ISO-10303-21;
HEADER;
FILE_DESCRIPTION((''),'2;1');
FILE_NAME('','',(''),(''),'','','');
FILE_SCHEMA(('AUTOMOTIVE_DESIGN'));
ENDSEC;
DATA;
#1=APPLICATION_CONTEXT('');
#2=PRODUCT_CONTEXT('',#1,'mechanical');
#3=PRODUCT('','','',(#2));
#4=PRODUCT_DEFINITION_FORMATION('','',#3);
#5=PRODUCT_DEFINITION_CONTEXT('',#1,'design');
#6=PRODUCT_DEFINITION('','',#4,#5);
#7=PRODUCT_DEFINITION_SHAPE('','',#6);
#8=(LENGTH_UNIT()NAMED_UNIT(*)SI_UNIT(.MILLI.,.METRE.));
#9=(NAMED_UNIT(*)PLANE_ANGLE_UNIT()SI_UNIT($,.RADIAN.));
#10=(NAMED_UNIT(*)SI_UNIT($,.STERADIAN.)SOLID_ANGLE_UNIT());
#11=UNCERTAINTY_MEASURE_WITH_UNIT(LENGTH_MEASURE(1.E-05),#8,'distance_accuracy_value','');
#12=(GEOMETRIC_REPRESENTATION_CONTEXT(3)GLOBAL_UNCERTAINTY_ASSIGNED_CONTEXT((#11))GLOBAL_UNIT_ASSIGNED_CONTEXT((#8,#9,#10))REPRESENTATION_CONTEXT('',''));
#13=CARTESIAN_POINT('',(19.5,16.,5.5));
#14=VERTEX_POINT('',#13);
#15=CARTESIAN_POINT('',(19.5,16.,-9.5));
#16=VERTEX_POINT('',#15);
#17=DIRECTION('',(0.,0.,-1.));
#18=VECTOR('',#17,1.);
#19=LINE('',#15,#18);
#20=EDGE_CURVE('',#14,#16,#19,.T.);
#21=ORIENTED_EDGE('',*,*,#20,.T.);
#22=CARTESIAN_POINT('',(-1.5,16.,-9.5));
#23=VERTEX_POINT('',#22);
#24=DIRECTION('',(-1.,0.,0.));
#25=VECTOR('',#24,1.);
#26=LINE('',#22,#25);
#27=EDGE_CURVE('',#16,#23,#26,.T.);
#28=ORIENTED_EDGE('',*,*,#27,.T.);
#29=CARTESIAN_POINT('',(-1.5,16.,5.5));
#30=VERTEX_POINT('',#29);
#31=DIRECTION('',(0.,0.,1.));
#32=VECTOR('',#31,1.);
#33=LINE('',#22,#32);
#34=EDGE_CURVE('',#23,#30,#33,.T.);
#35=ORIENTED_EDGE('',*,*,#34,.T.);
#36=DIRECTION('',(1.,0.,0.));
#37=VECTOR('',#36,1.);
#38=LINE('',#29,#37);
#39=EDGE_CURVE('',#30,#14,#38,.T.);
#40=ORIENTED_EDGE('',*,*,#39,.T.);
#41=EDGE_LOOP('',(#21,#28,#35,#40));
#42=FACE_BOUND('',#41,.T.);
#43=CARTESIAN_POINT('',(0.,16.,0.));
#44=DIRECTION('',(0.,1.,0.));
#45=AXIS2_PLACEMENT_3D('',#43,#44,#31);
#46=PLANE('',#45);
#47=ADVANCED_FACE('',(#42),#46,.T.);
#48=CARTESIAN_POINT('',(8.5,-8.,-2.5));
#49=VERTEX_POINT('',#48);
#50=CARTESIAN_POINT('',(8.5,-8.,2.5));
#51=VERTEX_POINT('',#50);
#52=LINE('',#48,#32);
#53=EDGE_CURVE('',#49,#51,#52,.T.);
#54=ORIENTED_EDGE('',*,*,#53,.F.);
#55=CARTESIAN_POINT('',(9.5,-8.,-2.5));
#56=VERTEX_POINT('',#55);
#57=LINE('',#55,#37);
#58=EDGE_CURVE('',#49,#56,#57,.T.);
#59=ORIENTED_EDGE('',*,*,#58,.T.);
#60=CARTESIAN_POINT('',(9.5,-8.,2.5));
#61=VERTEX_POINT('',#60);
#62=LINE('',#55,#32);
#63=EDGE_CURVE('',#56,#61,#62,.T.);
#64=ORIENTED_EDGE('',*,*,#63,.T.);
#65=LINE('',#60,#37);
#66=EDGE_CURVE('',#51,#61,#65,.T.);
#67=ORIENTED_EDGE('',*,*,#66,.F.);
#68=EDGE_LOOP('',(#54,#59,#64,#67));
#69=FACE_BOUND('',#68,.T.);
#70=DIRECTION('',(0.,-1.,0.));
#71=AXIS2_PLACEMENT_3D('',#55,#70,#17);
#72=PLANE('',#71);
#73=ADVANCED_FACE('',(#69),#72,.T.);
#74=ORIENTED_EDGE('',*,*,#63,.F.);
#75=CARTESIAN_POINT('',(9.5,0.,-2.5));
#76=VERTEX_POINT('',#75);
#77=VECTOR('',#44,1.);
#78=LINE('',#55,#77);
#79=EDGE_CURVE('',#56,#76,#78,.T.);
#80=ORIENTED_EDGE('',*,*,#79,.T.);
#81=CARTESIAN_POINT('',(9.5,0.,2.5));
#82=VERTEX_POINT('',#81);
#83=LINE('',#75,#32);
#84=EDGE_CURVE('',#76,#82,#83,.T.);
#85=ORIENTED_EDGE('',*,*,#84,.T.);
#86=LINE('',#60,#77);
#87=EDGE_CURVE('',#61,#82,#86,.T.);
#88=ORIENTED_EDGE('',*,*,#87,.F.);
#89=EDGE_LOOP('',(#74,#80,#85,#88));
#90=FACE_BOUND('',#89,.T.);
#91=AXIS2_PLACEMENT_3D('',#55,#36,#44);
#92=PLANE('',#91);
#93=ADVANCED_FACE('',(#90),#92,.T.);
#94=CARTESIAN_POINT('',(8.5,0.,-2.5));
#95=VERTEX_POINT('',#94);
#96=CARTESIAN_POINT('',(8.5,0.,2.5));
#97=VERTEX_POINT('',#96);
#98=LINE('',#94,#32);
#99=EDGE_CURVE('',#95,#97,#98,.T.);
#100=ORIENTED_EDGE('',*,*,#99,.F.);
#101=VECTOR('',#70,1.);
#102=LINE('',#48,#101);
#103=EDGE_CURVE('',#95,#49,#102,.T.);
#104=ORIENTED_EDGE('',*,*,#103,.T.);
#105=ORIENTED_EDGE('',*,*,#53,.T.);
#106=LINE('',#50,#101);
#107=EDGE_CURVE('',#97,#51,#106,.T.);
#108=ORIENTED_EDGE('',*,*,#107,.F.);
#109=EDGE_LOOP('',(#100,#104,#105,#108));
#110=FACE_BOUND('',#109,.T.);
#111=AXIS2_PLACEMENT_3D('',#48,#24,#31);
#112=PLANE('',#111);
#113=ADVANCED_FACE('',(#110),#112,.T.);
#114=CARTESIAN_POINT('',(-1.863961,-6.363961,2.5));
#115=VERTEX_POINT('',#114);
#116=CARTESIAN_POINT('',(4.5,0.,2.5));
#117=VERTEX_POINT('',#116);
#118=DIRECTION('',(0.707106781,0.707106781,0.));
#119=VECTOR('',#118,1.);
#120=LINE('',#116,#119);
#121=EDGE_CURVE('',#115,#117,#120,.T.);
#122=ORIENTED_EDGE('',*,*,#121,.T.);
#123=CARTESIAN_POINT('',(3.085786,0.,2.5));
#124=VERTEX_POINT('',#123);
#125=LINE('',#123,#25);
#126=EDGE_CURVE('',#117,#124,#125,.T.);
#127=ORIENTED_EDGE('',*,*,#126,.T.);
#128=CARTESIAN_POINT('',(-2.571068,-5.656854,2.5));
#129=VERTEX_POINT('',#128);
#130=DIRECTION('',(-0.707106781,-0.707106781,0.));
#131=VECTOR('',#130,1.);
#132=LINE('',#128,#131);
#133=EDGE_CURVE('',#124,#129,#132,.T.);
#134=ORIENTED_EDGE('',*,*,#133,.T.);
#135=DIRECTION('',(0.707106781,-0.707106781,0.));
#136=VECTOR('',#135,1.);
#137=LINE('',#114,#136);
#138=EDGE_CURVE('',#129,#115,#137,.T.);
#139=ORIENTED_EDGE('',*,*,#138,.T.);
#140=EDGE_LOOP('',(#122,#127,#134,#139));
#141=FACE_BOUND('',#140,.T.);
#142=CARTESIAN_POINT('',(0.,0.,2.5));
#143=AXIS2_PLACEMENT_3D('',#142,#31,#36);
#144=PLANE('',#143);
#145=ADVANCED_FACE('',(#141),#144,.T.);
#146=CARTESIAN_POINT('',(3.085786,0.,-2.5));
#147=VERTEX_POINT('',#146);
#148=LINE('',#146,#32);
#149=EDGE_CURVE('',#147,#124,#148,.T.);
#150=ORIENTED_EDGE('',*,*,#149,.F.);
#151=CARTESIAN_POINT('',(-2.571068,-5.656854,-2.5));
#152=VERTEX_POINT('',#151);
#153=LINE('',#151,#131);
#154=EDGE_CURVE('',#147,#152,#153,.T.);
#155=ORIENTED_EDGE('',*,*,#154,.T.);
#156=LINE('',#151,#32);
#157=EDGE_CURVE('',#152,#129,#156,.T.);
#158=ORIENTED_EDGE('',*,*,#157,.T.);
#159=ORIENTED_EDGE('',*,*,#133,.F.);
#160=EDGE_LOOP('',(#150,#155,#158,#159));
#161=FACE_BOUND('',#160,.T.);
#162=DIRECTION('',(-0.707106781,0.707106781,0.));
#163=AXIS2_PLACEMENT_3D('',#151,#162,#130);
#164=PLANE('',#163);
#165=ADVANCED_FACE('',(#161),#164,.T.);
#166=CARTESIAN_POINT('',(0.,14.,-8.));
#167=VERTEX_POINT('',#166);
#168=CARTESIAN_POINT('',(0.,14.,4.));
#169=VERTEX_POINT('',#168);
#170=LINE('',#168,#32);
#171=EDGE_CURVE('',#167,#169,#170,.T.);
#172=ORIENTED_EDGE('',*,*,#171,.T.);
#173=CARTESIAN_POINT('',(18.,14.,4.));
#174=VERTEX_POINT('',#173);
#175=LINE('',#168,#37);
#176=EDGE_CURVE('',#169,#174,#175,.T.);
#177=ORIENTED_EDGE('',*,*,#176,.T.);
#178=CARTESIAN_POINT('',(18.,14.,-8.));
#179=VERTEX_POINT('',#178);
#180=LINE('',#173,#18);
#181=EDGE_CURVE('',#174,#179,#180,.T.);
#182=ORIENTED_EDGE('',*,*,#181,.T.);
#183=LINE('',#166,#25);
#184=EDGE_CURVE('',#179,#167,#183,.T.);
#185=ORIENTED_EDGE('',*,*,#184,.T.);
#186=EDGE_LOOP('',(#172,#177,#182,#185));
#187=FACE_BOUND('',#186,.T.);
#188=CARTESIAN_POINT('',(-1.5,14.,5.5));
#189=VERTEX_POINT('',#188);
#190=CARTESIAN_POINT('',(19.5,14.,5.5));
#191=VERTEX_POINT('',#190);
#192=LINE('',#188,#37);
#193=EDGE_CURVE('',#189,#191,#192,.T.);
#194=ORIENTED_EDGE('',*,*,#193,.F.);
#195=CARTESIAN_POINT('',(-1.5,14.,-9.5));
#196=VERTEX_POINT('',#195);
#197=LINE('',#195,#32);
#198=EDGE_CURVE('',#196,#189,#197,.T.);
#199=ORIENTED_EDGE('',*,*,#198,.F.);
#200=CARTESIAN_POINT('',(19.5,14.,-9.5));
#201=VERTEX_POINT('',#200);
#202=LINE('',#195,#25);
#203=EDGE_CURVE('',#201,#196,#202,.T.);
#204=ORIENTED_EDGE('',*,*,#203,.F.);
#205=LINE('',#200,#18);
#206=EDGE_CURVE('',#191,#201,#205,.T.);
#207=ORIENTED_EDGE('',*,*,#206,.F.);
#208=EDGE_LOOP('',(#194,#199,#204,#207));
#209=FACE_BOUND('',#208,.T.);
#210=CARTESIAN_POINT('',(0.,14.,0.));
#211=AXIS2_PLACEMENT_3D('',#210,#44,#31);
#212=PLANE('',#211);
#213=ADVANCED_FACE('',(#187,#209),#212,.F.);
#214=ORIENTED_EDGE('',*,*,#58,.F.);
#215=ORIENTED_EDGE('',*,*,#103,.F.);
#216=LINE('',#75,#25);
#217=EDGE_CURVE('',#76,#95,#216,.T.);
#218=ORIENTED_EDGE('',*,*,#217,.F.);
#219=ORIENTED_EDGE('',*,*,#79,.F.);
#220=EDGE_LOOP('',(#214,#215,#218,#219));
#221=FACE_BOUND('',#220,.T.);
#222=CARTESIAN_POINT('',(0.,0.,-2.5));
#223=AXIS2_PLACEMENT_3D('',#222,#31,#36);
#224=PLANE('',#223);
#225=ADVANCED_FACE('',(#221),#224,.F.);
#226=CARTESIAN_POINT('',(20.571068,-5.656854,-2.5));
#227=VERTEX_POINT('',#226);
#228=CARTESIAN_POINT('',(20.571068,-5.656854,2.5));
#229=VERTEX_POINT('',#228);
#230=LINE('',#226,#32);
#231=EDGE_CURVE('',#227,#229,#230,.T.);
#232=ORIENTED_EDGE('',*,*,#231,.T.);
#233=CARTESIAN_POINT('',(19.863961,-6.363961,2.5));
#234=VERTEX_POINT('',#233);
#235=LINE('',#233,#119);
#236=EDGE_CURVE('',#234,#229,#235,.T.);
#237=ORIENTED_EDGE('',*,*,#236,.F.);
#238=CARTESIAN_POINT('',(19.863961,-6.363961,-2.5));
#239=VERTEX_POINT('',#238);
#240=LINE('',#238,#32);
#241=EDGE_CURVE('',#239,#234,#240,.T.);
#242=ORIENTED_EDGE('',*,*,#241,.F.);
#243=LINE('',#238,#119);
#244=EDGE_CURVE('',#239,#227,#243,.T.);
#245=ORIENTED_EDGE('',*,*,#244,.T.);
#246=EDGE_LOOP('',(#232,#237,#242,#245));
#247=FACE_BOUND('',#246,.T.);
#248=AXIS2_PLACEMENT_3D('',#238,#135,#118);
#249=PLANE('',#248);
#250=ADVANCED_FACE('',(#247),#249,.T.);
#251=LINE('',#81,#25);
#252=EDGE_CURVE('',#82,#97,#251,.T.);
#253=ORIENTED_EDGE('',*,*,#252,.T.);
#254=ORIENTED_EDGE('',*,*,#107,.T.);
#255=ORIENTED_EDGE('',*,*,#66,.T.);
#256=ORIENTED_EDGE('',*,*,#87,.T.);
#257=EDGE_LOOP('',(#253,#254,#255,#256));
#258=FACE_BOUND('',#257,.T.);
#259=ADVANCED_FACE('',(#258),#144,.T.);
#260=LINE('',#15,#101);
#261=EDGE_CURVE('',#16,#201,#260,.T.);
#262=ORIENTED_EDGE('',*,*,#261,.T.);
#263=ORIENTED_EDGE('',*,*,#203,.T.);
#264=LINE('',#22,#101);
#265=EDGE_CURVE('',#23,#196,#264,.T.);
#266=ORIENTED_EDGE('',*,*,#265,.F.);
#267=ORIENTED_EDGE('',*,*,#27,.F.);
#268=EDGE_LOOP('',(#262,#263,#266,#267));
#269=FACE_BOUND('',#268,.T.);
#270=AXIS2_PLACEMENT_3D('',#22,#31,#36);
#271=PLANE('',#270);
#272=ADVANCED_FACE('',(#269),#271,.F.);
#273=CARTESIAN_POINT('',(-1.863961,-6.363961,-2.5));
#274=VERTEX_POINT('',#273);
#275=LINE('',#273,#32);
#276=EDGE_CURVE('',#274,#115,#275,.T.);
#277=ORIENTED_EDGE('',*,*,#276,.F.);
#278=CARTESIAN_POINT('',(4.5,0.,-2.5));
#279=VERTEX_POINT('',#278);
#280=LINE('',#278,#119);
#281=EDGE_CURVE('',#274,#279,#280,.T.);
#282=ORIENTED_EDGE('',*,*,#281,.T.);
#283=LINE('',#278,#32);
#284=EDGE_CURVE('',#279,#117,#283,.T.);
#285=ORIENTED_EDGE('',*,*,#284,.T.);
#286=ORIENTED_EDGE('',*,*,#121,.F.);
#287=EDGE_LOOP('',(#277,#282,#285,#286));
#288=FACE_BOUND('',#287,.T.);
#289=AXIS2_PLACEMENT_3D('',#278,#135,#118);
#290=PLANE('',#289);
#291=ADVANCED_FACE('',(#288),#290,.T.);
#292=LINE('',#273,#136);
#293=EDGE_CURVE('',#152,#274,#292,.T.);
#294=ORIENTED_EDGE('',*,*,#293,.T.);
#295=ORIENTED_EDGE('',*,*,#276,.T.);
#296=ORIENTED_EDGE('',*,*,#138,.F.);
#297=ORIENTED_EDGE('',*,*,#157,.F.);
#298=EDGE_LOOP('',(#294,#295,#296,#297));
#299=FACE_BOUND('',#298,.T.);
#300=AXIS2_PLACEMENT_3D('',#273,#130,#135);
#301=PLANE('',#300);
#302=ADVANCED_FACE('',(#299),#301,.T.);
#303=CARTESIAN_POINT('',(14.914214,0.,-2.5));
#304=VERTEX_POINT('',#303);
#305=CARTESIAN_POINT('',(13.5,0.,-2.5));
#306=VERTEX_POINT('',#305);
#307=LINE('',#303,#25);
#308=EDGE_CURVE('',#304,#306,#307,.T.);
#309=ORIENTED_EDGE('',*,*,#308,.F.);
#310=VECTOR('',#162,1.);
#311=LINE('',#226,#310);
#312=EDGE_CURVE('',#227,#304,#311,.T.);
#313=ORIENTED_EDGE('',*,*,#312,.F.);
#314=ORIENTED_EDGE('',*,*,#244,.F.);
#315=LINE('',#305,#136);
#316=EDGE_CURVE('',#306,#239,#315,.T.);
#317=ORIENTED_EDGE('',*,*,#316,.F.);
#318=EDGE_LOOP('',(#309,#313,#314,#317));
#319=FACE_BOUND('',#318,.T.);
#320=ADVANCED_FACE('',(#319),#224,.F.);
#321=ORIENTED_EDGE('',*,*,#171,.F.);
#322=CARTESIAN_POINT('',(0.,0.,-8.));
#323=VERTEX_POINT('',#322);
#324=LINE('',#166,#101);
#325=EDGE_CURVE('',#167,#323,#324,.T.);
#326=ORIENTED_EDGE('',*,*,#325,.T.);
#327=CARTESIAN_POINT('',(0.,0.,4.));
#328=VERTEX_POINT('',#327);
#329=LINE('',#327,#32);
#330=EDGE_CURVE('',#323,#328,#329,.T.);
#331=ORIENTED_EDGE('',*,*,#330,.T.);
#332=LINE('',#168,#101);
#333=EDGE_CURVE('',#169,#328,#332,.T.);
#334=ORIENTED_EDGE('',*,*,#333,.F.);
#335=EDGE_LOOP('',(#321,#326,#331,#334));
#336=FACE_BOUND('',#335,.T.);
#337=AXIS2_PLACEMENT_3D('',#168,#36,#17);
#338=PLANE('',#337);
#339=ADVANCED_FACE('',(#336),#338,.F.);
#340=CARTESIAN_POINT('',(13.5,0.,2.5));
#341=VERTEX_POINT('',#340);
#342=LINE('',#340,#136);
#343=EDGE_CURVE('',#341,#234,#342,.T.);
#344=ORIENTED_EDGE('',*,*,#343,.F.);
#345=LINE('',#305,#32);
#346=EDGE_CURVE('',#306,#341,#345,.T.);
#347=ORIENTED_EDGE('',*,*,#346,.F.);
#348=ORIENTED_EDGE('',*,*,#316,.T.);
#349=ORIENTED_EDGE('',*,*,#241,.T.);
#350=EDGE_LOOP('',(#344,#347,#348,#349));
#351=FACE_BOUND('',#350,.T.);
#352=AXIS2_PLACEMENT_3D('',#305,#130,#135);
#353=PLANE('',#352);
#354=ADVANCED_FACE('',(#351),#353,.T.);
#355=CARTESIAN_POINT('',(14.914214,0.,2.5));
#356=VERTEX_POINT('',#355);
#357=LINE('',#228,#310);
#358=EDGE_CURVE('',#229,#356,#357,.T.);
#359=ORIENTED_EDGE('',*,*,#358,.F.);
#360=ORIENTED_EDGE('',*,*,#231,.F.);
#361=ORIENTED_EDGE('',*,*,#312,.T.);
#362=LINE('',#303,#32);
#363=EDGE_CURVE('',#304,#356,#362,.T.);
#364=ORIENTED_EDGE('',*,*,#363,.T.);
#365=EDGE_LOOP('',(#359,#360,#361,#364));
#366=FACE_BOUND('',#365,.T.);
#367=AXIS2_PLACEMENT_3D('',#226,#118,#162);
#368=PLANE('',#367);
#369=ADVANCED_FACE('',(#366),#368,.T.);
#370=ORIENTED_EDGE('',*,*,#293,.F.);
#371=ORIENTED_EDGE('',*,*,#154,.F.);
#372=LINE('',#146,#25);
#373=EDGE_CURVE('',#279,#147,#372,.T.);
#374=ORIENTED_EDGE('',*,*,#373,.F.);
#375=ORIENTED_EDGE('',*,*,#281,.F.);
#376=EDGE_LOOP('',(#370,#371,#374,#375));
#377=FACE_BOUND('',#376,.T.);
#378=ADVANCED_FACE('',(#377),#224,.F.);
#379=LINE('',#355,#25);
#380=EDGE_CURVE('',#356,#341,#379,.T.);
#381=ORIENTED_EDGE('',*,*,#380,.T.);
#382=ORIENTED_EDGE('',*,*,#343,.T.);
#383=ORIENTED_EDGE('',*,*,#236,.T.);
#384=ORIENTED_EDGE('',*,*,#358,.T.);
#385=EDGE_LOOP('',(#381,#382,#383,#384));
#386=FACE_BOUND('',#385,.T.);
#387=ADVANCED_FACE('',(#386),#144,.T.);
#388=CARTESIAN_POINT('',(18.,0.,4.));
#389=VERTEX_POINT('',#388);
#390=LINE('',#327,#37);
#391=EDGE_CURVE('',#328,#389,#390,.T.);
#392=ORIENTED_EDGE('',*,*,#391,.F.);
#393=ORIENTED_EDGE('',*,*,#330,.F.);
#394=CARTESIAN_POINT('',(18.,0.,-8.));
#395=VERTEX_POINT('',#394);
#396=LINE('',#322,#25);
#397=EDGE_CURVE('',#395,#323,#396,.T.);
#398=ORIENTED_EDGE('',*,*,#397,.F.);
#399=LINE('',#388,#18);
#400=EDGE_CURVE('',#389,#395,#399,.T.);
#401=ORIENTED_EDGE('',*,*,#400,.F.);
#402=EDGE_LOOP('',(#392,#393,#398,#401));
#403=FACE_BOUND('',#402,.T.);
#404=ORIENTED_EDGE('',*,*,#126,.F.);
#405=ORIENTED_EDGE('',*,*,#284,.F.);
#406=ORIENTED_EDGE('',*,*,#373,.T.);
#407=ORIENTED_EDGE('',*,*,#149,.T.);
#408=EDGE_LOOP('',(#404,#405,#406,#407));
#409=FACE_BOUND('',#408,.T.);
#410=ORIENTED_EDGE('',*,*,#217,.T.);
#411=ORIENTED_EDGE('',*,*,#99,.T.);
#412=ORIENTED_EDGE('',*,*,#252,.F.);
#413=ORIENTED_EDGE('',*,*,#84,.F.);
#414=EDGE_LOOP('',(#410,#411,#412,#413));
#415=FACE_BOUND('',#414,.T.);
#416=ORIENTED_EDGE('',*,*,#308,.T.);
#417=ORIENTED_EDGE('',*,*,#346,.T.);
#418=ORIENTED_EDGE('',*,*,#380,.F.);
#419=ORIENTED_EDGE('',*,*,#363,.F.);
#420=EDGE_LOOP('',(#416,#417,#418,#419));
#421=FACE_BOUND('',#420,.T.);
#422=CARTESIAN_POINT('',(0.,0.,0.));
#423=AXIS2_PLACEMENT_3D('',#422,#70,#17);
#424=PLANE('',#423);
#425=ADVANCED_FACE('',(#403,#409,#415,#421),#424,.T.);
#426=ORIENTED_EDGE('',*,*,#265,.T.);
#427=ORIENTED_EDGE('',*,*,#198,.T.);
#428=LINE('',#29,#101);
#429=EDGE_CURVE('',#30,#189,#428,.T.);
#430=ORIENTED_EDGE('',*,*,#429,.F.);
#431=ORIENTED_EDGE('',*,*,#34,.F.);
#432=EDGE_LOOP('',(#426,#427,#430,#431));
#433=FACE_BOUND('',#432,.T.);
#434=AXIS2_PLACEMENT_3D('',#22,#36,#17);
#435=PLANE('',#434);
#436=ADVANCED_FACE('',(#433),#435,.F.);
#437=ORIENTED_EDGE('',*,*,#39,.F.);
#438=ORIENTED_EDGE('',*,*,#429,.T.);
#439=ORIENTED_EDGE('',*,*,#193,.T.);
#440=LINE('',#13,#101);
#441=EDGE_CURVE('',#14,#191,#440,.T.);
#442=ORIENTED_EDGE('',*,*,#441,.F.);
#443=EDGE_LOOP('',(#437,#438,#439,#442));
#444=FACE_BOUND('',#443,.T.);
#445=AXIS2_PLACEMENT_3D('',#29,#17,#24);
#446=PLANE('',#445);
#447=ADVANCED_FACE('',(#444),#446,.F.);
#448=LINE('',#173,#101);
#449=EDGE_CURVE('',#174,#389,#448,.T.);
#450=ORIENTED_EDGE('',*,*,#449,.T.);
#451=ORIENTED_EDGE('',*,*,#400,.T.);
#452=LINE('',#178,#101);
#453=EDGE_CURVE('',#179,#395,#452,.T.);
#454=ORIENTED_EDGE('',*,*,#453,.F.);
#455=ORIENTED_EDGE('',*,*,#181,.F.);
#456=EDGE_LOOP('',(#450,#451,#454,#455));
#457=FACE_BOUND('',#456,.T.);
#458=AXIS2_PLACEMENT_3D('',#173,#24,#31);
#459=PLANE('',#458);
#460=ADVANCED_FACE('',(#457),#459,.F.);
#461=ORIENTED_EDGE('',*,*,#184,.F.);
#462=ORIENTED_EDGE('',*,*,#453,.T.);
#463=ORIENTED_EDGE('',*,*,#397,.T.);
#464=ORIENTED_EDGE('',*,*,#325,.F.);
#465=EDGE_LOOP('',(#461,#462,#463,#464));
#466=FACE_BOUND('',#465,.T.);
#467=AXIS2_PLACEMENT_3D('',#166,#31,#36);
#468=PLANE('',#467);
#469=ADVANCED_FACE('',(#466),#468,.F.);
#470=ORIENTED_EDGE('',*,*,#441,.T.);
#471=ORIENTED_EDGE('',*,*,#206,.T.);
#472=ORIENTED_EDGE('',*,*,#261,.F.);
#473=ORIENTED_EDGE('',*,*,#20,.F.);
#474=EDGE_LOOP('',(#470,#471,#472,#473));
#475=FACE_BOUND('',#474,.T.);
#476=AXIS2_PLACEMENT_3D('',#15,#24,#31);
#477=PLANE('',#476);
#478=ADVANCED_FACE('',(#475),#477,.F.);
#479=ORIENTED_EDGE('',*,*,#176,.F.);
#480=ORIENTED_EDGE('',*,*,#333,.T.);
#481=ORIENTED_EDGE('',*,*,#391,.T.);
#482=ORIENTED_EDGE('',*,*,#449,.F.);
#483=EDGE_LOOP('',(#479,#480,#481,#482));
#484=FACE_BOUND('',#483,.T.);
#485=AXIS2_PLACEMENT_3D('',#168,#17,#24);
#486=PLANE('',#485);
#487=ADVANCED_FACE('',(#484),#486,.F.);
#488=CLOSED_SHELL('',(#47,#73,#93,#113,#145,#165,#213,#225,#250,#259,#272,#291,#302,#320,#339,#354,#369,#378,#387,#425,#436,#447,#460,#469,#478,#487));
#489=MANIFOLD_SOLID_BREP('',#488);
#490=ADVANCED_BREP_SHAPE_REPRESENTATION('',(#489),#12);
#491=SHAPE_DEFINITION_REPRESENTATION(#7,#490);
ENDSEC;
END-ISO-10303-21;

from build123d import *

# Parameters (mm, degrees)
SKETCH1_W                = 18
SKETCH1_H                = 12
BOSS_EXTRUDE1_DEPTH      = 14
SKETCH2_W                = 21
SKETCH2_H                = 15
BOSS_EXTRUDE2_DEPTH      = 2
BOSS_EXTRUDE3_DEPTH      = 2.5
BOSS_EXTRUDE3_DEPTH_BACK = 2.5
SKETCH3_W                = 1
SKETCH3_H                = 8


with BuildPart() as part:
    # Sketch1 → Boss-Extrude1 (new body)
    with BuildSketch(Plane(origin=(0, 0, 0), x_dir=(1, 0, 0), z_dir=(0, 1, 0))):
        with Locations((9, 2)):
            Rectangle(SKETCH1_W, SKETCH1_H)
    extrude(amount=BOSS_EXTRUDE1_DEPTH)

    # Sketch2 → Boss-Extrude2 (add)
    with BuildSketch(Plane(origin=(0, 14, 0), x_dir=(1, 0, 0), z_dir=(0, 1, 0))):
        with Locations((9, 2)):
            Rectangle(SKETCH2_W, SKETCH2_H)
    extrude(amount=BOSS_EXTRUDE2_DEPTH)

    # Sketch3 → Boss-Extrude3 (add, two sides: drawn at the far end of the back side and taken through both)
    with BuildSketch(Plane.XY.offset(-BOSS_EXTRUDE3_DEPTH_BACK)):
        with Locations((9, -4)):
            Rectangle(SKETCH3_W, SKETCH3_H)
        Polygon((13.5, 0), (19.863961031, -6.363961031), (20.571067812, -5.656854249), (14.914213562, 0), align=None)
        Polygon((3.085786438, 0), (4.5, 0), (-1.863961031, -6.363961031), (-2.571067812, -5.656854249), align=None)
    extrude(amount=BOSS_EXTRUDE3_DEPTH + BOSS_EXTRUDE3_DEPTH_BACK)


solid = part.part
